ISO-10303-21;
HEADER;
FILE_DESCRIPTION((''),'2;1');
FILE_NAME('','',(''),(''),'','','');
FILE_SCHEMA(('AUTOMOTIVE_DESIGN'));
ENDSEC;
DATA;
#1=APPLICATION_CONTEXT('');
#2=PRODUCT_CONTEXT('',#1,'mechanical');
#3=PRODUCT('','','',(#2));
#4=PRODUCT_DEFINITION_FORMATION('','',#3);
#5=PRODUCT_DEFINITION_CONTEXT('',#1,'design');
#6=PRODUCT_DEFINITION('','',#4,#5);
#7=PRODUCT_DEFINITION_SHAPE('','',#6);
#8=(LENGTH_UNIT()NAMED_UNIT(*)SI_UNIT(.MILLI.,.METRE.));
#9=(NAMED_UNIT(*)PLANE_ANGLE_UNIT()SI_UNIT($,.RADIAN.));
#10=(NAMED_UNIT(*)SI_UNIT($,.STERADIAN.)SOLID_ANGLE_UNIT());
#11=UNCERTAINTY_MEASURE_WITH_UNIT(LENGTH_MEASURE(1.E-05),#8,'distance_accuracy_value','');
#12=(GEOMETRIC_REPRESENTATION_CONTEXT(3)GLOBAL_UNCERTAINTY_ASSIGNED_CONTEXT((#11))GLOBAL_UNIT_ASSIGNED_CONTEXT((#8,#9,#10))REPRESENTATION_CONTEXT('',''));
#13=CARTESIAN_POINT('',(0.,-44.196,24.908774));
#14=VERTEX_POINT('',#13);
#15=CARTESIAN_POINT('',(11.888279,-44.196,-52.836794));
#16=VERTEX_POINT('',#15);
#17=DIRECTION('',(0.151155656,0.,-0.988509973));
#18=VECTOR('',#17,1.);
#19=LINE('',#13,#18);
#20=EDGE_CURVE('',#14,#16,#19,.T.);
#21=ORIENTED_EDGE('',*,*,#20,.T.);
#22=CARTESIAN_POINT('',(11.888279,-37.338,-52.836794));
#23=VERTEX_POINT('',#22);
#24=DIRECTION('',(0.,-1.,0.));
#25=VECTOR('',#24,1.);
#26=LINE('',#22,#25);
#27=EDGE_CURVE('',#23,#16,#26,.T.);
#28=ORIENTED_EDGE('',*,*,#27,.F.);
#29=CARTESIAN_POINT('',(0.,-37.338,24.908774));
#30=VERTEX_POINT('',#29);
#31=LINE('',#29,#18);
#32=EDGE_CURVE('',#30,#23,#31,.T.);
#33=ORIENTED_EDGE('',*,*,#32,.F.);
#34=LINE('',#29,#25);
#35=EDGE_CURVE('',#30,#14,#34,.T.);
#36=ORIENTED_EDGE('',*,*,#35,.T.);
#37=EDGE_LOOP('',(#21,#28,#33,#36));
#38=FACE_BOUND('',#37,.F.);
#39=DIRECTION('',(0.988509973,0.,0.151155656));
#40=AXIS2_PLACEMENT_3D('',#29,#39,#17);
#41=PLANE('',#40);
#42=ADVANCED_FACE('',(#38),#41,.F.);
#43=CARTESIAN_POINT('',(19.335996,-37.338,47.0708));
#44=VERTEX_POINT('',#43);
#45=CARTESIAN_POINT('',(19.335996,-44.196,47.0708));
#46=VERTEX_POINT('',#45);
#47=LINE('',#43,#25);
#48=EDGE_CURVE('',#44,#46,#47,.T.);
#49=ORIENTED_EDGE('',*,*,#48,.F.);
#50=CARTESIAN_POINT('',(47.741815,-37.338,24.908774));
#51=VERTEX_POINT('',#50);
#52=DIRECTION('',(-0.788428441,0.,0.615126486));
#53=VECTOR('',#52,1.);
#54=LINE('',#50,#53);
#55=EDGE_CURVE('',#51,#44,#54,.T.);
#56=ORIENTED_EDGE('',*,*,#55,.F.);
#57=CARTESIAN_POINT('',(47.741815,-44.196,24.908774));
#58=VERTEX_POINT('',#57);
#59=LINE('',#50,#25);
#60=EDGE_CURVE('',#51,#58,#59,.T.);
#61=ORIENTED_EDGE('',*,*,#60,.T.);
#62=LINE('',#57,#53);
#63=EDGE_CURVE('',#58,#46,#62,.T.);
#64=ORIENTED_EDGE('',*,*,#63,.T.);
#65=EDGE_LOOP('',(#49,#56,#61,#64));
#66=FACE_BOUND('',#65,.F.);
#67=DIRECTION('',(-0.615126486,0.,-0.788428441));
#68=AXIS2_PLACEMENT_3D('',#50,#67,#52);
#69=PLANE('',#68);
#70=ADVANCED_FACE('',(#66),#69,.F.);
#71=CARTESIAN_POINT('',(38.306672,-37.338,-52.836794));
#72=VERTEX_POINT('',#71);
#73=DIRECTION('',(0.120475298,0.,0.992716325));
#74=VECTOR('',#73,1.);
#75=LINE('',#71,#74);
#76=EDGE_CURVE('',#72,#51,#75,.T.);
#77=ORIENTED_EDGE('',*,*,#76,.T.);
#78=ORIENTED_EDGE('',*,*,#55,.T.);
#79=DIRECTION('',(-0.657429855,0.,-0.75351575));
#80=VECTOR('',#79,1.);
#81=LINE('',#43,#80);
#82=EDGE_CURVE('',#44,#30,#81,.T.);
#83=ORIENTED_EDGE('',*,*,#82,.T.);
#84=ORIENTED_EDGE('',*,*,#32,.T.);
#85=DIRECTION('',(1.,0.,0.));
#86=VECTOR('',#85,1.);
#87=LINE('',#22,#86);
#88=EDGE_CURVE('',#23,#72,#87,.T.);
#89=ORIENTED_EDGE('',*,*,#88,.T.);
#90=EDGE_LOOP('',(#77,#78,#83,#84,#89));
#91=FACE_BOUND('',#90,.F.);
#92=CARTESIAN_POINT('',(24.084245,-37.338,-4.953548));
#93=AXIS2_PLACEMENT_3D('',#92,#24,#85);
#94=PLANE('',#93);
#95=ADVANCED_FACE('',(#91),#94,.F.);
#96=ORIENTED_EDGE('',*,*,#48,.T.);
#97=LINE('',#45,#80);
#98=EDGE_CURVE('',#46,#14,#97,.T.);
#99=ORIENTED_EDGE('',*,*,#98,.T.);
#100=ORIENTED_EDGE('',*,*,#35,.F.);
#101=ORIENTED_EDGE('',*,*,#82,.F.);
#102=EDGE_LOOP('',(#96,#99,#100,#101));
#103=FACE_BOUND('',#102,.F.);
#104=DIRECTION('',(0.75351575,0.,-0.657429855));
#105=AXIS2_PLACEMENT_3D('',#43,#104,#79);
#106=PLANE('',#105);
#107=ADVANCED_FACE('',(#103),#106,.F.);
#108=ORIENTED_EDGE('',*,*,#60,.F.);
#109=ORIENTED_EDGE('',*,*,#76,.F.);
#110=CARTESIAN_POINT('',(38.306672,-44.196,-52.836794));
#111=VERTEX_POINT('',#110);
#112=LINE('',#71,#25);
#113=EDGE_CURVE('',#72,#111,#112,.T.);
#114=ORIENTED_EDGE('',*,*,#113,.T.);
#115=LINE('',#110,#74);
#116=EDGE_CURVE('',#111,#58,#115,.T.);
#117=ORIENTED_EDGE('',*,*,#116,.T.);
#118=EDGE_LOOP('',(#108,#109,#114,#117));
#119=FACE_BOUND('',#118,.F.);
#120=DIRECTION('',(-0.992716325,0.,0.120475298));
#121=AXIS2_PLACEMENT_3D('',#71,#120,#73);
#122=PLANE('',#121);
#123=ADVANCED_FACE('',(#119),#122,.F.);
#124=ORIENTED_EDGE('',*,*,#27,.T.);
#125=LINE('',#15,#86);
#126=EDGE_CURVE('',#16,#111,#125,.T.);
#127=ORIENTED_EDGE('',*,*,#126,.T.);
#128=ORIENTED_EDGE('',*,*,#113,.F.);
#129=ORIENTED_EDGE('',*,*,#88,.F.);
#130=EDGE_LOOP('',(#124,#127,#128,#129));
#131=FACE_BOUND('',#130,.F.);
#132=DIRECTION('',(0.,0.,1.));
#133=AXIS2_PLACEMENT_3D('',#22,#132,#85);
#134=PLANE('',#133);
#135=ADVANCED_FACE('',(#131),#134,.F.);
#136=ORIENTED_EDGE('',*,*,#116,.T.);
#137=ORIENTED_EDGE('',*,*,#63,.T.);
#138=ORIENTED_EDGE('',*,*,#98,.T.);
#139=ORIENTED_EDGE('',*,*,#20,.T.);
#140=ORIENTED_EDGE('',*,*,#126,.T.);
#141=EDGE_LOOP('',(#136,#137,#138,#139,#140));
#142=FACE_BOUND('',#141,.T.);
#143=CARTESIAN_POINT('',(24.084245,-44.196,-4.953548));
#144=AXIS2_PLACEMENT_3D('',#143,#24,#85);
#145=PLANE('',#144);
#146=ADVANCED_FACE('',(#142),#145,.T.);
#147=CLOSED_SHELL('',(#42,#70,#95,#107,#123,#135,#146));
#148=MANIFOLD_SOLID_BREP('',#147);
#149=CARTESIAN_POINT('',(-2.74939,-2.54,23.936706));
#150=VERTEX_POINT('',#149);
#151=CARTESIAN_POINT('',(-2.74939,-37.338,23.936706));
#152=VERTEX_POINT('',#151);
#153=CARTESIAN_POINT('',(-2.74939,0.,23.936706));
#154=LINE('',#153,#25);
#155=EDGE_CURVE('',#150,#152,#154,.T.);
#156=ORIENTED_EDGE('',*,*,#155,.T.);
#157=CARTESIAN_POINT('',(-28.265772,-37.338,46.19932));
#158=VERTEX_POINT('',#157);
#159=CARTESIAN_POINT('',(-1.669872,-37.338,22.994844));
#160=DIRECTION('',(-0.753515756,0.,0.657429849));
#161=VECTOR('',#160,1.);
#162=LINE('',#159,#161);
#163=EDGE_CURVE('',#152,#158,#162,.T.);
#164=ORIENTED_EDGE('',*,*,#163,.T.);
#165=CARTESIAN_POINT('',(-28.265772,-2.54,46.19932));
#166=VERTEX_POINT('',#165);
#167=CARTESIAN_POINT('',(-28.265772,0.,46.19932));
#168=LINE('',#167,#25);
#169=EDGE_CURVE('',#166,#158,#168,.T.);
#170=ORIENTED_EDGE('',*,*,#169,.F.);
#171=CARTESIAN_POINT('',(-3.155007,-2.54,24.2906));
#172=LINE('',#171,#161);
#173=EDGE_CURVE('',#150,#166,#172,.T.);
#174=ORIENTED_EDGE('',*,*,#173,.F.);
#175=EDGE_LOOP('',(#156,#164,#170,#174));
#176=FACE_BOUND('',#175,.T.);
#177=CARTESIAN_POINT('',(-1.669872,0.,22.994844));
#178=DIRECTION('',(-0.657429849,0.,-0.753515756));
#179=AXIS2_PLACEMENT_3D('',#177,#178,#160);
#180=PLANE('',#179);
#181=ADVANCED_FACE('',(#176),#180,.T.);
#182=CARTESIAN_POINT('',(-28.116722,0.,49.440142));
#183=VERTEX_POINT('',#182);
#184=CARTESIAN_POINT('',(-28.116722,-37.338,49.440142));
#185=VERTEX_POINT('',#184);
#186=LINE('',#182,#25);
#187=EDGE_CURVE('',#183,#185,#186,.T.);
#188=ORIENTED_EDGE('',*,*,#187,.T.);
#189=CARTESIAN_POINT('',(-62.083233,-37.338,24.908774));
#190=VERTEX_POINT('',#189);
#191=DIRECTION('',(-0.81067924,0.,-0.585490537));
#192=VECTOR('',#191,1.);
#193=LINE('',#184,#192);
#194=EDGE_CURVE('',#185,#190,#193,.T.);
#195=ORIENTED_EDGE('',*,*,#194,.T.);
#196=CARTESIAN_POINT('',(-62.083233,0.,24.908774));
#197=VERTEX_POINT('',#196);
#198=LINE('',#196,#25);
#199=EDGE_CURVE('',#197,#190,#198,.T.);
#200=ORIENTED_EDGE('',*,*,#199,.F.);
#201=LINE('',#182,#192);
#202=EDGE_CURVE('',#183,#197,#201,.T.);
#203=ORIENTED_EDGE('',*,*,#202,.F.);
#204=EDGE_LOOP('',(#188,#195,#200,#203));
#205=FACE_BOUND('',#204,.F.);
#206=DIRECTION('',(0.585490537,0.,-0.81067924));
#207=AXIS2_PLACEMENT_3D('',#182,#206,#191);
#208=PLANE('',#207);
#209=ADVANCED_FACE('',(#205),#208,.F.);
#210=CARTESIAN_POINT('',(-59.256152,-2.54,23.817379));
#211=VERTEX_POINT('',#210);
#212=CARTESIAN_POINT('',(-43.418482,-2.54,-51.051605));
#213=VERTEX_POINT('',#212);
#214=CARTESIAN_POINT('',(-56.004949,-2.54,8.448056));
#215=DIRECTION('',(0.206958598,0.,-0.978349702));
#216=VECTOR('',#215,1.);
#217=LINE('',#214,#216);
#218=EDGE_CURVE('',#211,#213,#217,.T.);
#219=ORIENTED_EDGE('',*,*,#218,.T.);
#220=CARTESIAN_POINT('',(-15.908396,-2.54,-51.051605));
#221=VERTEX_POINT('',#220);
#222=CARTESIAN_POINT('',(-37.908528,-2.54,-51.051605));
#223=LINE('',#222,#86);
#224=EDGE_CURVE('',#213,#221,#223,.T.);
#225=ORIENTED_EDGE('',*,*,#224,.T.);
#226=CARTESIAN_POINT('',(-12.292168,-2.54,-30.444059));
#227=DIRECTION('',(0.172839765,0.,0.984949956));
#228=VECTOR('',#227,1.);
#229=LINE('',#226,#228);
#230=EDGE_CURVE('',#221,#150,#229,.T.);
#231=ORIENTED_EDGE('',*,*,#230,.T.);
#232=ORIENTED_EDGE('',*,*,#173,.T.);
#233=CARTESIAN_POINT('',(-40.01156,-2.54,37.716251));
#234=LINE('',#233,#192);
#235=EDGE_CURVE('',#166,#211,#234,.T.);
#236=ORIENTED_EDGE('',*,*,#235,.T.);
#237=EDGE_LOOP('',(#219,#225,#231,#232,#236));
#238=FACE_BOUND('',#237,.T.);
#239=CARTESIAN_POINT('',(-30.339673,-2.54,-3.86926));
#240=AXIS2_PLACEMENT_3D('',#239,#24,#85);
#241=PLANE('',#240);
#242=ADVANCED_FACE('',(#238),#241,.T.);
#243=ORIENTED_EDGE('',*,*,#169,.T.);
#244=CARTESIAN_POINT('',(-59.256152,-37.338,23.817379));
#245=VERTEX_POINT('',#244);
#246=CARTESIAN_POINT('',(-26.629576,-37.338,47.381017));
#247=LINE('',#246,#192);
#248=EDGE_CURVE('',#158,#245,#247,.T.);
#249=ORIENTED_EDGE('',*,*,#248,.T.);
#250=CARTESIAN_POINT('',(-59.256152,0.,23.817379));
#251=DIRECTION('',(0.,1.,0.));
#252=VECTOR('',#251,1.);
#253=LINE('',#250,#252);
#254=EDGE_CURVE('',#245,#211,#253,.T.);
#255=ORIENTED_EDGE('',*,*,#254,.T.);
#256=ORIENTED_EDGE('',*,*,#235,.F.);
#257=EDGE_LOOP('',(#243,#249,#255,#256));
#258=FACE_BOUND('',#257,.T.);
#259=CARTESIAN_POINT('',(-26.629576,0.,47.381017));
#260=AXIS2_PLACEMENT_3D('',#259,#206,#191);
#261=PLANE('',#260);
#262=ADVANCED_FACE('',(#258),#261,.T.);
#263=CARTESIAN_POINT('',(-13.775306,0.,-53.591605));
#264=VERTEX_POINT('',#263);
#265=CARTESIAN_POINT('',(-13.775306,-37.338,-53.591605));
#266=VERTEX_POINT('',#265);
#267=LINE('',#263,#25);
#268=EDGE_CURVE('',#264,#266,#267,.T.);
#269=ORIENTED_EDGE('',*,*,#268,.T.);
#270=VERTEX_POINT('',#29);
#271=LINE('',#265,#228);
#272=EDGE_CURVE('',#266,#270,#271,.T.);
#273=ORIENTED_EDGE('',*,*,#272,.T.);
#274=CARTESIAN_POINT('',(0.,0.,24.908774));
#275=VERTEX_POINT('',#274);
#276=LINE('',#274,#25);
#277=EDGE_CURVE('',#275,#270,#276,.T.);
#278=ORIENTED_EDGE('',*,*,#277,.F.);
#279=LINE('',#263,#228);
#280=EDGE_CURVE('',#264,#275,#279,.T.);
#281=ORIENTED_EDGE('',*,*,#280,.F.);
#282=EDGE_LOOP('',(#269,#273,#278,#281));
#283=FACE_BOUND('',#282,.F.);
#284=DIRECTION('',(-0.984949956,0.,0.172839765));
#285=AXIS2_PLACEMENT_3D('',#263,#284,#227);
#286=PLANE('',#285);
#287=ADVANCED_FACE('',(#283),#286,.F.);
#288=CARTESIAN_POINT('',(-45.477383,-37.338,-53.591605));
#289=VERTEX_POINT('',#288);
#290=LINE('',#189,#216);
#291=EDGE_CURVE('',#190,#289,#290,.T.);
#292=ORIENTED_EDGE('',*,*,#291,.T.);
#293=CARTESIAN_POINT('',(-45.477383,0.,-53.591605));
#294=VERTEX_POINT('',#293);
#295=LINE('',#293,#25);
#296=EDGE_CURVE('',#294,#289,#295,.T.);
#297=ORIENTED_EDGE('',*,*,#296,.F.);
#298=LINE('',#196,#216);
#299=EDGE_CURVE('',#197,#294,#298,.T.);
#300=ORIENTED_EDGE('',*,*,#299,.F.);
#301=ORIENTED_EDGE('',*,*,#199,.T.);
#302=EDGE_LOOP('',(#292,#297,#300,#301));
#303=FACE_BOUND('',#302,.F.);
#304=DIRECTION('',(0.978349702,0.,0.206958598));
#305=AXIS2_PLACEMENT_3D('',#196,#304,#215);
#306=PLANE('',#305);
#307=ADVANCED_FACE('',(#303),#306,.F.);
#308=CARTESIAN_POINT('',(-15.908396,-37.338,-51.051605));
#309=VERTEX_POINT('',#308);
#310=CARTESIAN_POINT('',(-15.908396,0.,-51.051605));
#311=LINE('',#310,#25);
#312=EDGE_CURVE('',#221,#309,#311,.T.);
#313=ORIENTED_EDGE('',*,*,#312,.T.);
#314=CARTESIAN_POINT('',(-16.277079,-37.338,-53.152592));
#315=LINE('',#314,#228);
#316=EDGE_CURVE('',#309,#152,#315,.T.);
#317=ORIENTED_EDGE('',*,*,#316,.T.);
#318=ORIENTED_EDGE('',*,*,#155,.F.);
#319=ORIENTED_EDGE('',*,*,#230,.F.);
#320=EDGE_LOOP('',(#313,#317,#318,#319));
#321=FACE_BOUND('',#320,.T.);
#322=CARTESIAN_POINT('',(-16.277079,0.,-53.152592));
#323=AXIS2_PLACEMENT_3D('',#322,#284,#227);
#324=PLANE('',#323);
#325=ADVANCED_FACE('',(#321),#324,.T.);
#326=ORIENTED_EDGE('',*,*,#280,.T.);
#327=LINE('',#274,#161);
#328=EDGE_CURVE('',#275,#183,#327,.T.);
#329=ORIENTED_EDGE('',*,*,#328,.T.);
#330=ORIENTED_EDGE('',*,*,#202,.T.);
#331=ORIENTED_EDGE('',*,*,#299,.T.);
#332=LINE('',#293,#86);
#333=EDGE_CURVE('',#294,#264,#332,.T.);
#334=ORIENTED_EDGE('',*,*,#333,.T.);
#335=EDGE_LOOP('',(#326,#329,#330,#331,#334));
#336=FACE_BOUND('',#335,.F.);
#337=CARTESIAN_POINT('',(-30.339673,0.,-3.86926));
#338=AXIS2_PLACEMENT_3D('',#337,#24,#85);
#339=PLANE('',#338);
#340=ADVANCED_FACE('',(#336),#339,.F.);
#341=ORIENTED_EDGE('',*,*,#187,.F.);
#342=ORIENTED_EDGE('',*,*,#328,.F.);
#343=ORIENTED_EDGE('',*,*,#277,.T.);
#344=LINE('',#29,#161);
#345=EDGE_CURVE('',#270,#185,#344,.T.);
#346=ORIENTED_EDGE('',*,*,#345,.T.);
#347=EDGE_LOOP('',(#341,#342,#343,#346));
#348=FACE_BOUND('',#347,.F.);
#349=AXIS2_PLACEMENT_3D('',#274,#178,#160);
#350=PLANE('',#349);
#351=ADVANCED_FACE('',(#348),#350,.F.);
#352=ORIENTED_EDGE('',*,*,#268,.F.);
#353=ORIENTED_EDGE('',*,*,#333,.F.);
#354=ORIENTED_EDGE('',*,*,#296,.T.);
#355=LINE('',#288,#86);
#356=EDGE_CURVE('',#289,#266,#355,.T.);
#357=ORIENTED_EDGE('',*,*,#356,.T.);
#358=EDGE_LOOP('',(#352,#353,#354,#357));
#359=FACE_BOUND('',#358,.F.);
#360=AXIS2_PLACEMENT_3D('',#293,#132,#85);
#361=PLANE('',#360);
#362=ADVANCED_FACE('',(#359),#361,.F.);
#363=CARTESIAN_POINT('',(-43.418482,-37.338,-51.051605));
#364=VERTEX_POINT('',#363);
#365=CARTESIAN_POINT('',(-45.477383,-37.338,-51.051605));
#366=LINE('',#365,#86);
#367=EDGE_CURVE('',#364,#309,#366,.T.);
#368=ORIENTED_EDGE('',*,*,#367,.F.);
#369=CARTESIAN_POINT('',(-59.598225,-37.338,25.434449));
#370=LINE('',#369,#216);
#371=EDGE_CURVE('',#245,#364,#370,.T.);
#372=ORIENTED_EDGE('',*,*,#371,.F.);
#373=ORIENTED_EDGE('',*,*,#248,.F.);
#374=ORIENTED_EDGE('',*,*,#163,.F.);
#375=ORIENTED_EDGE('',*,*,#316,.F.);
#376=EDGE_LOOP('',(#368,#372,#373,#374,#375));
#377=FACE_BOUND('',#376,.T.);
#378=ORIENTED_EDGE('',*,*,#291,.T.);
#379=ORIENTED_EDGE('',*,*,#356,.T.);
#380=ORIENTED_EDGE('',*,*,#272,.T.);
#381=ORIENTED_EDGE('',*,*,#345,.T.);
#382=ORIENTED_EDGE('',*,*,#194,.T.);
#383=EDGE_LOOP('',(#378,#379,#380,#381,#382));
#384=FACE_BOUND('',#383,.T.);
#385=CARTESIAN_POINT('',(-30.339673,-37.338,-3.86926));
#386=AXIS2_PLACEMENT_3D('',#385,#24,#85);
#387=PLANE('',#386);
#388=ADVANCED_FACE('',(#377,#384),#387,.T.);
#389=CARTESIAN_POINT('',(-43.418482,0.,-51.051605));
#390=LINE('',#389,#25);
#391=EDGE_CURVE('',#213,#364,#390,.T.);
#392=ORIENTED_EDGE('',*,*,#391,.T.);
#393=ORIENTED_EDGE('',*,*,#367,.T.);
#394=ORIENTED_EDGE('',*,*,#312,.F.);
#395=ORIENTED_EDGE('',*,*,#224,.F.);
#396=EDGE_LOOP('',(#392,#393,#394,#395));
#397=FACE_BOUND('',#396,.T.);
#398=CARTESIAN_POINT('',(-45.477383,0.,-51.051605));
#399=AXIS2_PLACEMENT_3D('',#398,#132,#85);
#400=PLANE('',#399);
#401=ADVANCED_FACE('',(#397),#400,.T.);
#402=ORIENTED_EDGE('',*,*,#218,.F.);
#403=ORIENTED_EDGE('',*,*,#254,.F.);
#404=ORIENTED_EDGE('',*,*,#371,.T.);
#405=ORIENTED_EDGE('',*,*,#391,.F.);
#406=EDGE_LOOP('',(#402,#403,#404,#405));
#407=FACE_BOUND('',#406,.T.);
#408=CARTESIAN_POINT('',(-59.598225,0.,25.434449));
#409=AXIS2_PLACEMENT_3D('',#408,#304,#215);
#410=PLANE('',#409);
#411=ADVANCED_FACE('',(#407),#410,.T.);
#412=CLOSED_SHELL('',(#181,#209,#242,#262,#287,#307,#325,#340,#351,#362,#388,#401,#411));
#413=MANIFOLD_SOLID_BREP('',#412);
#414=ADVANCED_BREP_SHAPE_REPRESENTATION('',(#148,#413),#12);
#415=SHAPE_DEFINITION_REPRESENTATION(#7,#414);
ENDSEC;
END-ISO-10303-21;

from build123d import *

# Parameters (mm, degrees)
F1_DEPTH = 37.338
F2_T     = -2.54
F4_DEPTH = 6.858


with BuildPart() as f1:
    # F0 (on Front) → F1 (new body)
    with BuildSketch(Plane.XZ):
        Polygon((-62.083233, 24.908774), (-45.477383, -53.591605), (-13.775306, -53.591605), (0, 24.908774), (-28.116722, 49.440142), align=None)
    extrude(amount=F1_DEPTH)

    # F2
    f2_openings = [f1.faces().sort_by_distance(p)[0] for p in [
        (-30.351472, -37.338, -2.700199),
    ]]
    offset(amount=F2_T, openings=f2_openings)


with BuildPart() as f4:
    # F3 (on face) → F4 (new body)
    with BuildSketch(Plane.XZ.offset(37.338)):
        Polygon((19.335996, 47.0708), (0, 24.908774), (11.888279, -52.836794), (38.306672, -52.836794), (47.741815, 24.908774), align=None)
    extrude(amount=F4_DEPTH)


solid = Compound([f1.part, f4.part])
